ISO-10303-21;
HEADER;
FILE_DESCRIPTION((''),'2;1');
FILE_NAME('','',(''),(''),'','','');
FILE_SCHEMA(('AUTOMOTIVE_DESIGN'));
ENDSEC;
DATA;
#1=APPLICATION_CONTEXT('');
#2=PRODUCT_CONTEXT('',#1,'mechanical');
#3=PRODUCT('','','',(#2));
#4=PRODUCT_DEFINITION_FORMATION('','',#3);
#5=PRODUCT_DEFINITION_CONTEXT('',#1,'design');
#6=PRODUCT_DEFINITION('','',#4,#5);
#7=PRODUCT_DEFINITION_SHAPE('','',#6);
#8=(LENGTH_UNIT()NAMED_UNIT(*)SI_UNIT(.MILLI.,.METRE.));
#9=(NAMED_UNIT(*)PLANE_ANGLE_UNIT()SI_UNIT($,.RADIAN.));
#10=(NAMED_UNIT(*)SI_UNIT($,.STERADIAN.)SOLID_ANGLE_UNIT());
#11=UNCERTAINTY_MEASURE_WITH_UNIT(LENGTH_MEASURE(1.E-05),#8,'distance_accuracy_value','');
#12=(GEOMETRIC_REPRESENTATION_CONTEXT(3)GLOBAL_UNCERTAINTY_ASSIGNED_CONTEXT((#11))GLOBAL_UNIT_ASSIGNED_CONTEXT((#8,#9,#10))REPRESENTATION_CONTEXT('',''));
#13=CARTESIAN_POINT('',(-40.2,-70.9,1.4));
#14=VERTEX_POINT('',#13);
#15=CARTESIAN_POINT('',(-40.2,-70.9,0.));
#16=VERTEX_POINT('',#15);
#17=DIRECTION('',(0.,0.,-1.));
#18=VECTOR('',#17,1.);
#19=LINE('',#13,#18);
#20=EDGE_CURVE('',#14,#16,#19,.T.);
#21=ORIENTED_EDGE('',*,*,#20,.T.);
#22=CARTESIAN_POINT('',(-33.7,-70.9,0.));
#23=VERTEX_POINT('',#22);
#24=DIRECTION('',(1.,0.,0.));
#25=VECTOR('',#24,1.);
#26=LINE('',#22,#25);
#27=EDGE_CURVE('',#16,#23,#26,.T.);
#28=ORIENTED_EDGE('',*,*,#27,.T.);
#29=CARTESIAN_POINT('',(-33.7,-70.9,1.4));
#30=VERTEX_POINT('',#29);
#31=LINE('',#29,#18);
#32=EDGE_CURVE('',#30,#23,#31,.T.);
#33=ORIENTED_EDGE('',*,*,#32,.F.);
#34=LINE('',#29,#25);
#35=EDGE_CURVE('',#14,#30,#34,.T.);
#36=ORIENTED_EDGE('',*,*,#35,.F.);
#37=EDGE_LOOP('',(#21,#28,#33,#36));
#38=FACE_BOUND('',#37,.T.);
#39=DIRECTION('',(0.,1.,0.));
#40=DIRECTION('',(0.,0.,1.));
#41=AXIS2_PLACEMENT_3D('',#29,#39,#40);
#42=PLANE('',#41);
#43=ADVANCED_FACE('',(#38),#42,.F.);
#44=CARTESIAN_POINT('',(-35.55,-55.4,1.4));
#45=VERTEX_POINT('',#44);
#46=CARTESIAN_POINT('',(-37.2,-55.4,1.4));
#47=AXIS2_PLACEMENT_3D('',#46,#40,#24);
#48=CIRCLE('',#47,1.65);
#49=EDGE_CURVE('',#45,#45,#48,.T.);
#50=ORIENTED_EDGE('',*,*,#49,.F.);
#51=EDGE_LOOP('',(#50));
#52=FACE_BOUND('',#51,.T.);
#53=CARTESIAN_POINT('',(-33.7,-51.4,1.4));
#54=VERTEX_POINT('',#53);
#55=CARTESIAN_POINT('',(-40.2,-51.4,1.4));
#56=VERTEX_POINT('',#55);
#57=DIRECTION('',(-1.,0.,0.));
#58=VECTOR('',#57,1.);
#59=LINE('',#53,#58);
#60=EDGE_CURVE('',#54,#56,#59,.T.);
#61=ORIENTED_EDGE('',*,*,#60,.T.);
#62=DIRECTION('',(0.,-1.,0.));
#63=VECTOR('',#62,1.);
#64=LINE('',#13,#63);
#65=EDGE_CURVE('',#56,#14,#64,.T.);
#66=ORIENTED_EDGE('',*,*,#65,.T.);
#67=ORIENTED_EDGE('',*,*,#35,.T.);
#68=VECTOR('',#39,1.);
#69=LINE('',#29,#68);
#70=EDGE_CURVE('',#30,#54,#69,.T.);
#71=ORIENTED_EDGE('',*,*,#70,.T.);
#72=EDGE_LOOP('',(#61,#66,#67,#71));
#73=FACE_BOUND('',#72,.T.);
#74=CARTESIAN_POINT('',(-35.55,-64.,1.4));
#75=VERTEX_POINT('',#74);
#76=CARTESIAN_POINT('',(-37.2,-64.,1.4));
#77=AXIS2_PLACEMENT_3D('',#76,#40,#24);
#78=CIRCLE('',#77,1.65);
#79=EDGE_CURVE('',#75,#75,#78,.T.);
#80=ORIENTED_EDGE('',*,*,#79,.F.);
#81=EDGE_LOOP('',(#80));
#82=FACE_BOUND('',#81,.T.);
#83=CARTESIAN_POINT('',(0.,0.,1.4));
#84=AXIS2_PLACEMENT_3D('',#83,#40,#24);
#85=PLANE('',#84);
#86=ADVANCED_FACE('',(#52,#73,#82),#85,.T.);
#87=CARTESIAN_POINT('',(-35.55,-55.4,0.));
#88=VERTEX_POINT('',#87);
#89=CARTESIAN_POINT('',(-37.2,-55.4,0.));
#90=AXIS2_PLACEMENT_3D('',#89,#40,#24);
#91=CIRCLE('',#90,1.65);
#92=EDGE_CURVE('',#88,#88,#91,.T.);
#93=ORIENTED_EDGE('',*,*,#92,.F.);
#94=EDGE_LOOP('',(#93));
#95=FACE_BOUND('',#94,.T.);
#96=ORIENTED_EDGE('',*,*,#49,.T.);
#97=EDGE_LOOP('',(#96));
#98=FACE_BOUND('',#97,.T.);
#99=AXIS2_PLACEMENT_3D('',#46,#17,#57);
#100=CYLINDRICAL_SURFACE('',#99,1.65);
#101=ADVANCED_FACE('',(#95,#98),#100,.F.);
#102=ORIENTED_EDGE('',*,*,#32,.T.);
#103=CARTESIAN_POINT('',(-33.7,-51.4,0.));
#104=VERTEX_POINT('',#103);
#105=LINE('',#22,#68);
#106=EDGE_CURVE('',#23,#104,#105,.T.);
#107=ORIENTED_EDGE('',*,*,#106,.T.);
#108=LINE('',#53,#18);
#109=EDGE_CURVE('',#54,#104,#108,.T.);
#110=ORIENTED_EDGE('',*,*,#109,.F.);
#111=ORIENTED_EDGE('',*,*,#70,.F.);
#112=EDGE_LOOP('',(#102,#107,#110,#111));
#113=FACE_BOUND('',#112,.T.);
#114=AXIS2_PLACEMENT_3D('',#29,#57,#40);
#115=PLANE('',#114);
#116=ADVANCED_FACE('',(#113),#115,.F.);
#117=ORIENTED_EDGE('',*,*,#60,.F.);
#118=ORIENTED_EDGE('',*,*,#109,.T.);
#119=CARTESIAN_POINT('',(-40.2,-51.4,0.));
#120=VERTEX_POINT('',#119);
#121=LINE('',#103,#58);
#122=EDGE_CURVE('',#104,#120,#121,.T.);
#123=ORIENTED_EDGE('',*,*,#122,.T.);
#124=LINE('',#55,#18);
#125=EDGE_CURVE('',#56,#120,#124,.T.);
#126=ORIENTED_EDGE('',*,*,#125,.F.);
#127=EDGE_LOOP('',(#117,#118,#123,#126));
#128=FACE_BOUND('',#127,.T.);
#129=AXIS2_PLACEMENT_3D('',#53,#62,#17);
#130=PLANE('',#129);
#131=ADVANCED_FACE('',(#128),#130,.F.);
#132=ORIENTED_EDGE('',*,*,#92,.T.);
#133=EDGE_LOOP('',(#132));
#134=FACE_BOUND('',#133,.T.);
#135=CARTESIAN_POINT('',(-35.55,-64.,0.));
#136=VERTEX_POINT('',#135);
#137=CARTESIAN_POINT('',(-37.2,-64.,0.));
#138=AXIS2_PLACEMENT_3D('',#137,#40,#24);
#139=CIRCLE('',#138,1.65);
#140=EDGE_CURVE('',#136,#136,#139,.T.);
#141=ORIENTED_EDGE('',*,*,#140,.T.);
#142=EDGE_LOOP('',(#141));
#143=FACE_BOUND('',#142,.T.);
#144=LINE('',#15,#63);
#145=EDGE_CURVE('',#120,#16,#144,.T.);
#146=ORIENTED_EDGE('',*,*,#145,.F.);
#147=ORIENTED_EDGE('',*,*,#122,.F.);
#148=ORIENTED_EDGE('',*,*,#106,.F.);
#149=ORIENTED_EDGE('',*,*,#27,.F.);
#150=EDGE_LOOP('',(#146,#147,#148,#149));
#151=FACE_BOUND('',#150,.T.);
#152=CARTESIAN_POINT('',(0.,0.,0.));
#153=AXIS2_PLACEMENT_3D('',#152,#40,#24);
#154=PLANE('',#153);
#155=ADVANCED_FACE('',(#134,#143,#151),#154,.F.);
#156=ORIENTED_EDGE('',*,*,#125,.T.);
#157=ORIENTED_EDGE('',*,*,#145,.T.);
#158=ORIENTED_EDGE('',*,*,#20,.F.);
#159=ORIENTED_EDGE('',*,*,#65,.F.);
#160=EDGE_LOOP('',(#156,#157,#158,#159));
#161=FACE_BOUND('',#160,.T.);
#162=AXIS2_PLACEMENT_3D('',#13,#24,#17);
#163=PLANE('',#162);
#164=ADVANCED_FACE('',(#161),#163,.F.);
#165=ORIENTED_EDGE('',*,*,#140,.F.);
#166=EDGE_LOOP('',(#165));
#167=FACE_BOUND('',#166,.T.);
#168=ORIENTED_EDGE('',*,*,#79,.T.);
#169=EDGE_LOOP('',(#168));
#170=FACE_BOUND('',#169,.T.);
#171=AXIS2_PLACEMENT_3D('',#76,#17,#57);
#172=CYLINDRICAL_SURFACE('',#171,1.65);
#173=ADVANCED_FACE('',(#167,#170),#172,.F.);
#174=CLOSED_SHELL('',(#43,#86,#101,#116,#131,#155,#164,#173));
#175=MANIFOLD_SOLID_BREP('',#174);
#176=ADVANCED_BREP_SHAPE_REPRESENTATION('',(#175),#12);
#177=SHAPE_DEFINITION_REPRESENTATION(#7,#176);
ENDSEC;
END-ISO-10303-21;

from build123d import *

# Parameters (mm, degrees)
SKETCH1_W           = 6.5
SKETCH1_H           = 19.5
SKETCH1_R           = 1.65
BOSS_EXTRUDE1_DEPTH = 1.4


with BuildPart() as part:
    # Sketch1 → Boss-Extrude1 (new body)
    with BuildSketch(Plane.XY):
        with Locations((-36.95, -61.15)):
            Rectangle(SKETCH1_W, SKETCH1_H)
        with Locations((-37.2, -64)):
            Circle(SKETCH1_R, mode=Mode.SUBTRACT)
        with Locations((-37.2, -55.4)):
            Circle(SKETCH1_R, mode=Mode.SUBTRACT)
    extrude(amount=BOSS_EXTRUDE1_DEPTH)


solid = part.part
